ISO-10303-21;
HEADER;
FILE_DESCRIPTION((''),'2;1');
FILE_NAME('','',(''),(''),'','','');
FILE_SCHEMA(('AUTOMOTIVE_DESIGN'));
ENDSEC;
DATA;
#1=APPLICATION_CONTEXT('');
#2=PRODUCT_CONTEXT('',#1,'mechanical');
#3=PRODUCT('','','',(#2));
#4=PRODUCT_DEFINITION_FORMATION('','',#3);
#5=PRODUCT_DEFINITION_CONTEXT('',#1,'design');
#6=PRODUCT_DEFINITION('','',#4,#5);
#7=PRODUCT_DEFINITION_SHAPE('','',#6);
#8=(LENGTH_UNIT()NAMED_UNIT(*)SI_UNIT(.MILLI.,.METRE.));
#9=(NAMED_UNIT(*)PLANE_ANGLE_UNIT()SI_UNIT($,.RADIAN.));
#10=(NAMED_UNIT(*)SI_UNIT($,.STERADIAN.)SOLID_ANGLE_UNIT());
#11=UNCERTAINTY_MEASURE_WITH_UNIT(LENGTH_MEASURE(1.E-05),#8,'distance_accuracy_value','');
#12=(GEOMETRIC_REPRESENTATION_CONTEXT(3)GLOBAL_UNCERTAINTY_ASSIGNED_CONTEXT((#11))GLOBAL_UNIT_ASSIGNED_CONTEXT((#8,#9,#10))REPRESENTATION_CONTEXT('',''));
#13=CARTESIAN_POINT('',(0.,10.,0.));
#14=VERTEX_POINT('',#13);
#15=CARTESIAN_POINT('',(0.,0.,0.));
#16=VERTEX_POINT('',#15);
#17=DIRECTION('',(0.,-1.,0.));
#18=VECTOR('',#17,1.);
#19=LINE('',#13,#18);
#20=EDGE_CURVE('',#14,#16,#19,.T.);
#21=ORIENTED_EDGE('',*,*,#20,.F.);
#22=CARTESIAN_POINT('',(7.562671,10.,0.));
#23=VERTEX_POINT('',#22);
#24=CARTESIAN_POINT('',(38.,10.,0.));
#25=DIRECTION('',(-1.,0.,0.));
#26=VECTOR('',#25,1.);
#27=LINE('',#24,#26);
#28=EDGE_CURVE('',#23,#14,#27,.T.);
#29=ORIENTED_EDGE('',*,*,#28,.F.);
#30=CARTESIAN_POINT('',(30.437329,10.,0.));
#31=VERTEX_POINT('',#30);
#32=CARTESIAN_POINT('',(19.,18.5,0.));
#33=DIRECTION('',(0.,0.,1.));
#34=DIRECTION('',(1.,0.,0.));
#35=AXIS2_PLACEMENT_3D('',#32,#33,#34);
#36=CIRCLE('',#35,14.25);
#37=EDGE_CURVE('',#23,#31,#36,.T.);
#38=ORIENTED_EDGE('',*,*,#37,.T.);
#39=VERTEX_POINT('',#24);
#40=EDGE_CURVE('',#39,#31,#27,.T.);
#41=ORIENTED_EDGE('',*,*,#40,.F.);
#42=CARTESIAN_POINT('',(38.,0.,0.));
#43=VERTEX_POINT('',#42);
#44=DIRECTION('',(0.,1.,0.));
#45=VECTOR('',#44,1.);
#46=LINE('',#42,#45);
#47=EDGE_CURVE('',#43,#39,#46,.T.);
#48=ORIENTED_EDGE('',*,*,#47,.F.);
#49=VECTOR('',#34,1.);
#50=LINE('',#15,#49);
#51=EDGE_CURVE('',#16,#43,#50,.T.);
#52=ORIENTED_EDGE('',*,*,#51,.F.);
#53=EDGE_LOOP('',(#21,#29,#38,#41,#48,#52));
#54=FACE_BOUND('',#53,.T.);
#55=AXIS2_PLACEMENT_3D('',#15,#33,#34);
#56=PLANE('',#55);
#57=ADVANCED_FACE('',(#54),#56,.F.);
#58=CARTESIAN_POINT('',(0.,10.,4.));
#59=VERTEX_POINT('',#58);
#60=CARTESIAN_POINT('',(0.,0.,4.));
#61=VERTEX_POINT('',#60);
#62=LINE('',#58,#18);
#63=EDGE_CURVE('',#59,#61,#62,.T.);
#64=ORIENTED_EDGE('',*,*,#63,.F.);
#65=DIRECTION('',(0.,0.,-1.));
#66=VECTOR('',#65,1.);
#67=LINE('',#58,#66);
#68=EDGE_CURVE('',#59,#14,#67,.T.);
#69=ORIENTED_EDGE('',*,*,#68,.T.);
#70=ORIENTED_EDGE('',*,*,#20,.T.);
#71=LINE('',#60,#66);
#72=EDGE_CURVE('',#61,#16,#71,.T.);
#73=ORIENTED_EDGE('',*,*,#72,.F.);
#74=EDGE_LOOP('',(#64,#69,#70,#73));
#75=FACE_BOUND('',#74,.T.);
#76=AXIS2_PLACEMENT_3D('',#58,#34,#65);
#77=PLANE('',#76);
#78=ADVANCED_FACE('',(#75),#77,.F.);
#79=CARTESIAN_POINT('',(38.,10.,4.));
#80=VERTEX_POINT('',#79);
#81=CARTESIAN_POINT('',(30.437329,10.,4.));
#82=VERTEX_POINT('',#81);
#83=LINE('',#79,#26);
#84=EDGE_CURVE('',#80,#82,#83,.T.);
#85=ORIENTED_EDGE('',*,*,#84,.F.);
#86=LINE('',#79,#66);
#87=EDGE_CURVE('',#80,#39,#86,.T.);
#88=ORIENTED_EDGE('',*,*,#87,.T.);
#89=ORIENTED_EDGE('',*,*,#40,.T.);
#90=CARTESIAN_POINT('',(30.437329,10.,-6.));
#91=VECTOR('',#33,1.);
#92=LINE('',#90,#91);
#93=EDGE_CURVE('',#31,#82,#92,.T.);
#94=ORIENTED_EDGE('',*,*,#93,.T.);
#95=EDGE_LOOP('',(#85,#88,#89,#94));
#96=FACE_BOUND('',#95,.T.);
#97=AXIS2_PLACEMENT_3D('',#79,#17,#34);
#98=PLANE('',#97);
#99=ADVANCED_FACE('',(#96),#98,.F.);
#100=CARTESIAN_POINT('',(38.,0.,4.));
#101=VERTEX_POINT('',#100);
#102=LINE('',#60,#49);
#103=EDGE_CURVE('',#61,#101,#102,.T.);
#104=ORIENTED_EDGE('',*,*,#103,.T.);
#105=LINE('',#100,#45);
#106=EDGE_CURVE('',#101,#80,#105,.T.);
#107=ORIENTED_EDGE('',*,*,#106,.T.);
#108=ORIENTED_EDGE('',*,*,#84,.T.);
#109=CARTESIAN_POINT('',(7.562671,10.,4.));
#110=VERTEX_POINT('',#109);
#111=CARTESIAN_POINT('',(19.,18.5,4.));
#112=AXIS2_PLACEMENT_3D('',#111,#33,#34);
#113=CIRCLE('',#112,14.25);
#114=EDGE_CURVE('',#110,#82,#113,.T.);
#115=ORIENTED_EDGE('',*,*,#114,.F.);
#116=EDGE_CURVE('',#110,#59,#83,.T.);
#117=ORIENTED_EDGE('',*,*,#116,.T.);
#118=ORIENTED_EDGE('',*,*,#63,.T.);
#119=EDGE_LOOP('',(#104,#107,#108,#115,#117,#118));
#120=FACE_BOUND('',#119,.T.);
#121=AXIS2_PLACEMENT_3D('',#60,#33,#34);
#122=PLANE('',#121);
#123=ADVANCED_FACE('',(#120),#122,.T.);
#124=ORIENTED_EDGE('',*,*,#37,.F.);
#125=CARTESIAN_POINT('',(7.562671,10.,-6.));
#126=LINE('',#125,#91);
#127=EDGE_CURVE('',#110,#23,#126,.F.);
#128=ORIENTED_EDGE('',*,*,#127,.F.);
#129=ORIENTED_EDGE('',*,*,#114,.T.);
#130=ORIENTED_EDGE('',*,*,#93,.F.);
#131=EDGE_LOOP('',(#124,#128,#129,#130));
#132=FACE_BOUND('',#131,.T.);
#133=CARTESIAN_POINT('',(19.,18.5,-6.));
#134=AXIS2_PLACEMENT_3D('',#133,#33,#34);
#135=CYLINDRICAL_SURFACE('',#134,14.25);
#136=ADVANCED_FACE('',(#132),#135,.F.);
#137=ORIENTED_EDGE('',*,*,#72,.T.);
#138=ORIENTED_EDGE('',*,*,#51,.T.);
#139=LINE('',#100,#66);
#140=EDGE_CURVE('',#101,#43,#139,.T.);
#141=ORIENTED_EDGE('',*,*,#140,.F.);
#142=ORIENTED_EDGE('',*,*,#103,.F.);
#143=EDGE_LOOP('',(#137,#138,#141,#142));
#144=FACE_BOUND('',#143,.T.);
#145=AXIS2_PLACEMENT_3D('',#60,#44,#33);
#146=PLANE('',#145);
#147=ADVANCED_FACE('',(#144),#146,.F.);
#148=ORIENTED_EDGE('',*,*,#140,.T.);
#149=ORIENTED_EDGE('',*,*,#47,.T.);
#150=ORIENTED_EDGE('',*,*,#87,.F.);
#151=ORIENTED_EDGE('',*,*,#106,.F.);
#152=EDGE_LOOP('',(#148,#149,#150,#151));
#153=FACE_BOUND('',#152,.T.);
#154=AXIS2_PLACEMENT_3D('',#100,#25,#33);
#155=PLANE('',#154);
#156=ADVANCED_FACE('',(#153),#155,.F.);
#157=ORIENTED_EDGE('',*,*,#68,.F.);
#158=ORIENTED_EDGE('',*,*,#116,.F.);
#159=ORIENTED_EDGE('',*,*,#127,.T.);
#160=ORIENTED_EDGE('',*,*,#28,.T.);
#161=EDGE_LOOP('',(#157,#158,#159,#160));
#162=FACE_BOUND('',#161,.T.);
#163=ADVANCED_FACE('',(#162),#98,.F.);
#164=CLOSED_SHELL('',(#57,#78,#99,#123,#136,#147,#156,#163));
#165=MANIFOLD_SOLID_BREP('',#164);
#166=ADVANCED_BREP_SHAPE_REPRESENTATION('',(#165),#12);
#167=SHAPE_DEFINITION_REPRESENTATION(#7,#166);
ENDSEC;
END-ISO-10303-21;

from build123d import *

# Parameters (mm, degrees)
SKETCH2_W           = 38
SKETCH2_H           = 10
BOSS_EXTRUDE2_DEPTH = 4
SKETCH3_R           = 14.25
CUT_EXTRUDE1_DEPTH  = 10


with BuildPart() as part:
    # Sketch2 → Boss-Extrude2 (new body)
    with BuildSketch(Plane.XY):
        with Locations((19, 5)):
            Rectangle(SKETCH2_W, SKETCH2_H)
    extrude(amount=BOSS_EXTRUDE2_DEPTH)

    # Sketch3 → Cut-Extrude1 (cut)
    with BuildSketch(Plane.XY.offset(4)):
        with Locations((19, 18.5)):
            Circle(SKETCH3_R)
    extrude(amount=-CUT_EXTRUDE1_DEPTH, mode=Mode.SUBTRACT)


solid = part.part
